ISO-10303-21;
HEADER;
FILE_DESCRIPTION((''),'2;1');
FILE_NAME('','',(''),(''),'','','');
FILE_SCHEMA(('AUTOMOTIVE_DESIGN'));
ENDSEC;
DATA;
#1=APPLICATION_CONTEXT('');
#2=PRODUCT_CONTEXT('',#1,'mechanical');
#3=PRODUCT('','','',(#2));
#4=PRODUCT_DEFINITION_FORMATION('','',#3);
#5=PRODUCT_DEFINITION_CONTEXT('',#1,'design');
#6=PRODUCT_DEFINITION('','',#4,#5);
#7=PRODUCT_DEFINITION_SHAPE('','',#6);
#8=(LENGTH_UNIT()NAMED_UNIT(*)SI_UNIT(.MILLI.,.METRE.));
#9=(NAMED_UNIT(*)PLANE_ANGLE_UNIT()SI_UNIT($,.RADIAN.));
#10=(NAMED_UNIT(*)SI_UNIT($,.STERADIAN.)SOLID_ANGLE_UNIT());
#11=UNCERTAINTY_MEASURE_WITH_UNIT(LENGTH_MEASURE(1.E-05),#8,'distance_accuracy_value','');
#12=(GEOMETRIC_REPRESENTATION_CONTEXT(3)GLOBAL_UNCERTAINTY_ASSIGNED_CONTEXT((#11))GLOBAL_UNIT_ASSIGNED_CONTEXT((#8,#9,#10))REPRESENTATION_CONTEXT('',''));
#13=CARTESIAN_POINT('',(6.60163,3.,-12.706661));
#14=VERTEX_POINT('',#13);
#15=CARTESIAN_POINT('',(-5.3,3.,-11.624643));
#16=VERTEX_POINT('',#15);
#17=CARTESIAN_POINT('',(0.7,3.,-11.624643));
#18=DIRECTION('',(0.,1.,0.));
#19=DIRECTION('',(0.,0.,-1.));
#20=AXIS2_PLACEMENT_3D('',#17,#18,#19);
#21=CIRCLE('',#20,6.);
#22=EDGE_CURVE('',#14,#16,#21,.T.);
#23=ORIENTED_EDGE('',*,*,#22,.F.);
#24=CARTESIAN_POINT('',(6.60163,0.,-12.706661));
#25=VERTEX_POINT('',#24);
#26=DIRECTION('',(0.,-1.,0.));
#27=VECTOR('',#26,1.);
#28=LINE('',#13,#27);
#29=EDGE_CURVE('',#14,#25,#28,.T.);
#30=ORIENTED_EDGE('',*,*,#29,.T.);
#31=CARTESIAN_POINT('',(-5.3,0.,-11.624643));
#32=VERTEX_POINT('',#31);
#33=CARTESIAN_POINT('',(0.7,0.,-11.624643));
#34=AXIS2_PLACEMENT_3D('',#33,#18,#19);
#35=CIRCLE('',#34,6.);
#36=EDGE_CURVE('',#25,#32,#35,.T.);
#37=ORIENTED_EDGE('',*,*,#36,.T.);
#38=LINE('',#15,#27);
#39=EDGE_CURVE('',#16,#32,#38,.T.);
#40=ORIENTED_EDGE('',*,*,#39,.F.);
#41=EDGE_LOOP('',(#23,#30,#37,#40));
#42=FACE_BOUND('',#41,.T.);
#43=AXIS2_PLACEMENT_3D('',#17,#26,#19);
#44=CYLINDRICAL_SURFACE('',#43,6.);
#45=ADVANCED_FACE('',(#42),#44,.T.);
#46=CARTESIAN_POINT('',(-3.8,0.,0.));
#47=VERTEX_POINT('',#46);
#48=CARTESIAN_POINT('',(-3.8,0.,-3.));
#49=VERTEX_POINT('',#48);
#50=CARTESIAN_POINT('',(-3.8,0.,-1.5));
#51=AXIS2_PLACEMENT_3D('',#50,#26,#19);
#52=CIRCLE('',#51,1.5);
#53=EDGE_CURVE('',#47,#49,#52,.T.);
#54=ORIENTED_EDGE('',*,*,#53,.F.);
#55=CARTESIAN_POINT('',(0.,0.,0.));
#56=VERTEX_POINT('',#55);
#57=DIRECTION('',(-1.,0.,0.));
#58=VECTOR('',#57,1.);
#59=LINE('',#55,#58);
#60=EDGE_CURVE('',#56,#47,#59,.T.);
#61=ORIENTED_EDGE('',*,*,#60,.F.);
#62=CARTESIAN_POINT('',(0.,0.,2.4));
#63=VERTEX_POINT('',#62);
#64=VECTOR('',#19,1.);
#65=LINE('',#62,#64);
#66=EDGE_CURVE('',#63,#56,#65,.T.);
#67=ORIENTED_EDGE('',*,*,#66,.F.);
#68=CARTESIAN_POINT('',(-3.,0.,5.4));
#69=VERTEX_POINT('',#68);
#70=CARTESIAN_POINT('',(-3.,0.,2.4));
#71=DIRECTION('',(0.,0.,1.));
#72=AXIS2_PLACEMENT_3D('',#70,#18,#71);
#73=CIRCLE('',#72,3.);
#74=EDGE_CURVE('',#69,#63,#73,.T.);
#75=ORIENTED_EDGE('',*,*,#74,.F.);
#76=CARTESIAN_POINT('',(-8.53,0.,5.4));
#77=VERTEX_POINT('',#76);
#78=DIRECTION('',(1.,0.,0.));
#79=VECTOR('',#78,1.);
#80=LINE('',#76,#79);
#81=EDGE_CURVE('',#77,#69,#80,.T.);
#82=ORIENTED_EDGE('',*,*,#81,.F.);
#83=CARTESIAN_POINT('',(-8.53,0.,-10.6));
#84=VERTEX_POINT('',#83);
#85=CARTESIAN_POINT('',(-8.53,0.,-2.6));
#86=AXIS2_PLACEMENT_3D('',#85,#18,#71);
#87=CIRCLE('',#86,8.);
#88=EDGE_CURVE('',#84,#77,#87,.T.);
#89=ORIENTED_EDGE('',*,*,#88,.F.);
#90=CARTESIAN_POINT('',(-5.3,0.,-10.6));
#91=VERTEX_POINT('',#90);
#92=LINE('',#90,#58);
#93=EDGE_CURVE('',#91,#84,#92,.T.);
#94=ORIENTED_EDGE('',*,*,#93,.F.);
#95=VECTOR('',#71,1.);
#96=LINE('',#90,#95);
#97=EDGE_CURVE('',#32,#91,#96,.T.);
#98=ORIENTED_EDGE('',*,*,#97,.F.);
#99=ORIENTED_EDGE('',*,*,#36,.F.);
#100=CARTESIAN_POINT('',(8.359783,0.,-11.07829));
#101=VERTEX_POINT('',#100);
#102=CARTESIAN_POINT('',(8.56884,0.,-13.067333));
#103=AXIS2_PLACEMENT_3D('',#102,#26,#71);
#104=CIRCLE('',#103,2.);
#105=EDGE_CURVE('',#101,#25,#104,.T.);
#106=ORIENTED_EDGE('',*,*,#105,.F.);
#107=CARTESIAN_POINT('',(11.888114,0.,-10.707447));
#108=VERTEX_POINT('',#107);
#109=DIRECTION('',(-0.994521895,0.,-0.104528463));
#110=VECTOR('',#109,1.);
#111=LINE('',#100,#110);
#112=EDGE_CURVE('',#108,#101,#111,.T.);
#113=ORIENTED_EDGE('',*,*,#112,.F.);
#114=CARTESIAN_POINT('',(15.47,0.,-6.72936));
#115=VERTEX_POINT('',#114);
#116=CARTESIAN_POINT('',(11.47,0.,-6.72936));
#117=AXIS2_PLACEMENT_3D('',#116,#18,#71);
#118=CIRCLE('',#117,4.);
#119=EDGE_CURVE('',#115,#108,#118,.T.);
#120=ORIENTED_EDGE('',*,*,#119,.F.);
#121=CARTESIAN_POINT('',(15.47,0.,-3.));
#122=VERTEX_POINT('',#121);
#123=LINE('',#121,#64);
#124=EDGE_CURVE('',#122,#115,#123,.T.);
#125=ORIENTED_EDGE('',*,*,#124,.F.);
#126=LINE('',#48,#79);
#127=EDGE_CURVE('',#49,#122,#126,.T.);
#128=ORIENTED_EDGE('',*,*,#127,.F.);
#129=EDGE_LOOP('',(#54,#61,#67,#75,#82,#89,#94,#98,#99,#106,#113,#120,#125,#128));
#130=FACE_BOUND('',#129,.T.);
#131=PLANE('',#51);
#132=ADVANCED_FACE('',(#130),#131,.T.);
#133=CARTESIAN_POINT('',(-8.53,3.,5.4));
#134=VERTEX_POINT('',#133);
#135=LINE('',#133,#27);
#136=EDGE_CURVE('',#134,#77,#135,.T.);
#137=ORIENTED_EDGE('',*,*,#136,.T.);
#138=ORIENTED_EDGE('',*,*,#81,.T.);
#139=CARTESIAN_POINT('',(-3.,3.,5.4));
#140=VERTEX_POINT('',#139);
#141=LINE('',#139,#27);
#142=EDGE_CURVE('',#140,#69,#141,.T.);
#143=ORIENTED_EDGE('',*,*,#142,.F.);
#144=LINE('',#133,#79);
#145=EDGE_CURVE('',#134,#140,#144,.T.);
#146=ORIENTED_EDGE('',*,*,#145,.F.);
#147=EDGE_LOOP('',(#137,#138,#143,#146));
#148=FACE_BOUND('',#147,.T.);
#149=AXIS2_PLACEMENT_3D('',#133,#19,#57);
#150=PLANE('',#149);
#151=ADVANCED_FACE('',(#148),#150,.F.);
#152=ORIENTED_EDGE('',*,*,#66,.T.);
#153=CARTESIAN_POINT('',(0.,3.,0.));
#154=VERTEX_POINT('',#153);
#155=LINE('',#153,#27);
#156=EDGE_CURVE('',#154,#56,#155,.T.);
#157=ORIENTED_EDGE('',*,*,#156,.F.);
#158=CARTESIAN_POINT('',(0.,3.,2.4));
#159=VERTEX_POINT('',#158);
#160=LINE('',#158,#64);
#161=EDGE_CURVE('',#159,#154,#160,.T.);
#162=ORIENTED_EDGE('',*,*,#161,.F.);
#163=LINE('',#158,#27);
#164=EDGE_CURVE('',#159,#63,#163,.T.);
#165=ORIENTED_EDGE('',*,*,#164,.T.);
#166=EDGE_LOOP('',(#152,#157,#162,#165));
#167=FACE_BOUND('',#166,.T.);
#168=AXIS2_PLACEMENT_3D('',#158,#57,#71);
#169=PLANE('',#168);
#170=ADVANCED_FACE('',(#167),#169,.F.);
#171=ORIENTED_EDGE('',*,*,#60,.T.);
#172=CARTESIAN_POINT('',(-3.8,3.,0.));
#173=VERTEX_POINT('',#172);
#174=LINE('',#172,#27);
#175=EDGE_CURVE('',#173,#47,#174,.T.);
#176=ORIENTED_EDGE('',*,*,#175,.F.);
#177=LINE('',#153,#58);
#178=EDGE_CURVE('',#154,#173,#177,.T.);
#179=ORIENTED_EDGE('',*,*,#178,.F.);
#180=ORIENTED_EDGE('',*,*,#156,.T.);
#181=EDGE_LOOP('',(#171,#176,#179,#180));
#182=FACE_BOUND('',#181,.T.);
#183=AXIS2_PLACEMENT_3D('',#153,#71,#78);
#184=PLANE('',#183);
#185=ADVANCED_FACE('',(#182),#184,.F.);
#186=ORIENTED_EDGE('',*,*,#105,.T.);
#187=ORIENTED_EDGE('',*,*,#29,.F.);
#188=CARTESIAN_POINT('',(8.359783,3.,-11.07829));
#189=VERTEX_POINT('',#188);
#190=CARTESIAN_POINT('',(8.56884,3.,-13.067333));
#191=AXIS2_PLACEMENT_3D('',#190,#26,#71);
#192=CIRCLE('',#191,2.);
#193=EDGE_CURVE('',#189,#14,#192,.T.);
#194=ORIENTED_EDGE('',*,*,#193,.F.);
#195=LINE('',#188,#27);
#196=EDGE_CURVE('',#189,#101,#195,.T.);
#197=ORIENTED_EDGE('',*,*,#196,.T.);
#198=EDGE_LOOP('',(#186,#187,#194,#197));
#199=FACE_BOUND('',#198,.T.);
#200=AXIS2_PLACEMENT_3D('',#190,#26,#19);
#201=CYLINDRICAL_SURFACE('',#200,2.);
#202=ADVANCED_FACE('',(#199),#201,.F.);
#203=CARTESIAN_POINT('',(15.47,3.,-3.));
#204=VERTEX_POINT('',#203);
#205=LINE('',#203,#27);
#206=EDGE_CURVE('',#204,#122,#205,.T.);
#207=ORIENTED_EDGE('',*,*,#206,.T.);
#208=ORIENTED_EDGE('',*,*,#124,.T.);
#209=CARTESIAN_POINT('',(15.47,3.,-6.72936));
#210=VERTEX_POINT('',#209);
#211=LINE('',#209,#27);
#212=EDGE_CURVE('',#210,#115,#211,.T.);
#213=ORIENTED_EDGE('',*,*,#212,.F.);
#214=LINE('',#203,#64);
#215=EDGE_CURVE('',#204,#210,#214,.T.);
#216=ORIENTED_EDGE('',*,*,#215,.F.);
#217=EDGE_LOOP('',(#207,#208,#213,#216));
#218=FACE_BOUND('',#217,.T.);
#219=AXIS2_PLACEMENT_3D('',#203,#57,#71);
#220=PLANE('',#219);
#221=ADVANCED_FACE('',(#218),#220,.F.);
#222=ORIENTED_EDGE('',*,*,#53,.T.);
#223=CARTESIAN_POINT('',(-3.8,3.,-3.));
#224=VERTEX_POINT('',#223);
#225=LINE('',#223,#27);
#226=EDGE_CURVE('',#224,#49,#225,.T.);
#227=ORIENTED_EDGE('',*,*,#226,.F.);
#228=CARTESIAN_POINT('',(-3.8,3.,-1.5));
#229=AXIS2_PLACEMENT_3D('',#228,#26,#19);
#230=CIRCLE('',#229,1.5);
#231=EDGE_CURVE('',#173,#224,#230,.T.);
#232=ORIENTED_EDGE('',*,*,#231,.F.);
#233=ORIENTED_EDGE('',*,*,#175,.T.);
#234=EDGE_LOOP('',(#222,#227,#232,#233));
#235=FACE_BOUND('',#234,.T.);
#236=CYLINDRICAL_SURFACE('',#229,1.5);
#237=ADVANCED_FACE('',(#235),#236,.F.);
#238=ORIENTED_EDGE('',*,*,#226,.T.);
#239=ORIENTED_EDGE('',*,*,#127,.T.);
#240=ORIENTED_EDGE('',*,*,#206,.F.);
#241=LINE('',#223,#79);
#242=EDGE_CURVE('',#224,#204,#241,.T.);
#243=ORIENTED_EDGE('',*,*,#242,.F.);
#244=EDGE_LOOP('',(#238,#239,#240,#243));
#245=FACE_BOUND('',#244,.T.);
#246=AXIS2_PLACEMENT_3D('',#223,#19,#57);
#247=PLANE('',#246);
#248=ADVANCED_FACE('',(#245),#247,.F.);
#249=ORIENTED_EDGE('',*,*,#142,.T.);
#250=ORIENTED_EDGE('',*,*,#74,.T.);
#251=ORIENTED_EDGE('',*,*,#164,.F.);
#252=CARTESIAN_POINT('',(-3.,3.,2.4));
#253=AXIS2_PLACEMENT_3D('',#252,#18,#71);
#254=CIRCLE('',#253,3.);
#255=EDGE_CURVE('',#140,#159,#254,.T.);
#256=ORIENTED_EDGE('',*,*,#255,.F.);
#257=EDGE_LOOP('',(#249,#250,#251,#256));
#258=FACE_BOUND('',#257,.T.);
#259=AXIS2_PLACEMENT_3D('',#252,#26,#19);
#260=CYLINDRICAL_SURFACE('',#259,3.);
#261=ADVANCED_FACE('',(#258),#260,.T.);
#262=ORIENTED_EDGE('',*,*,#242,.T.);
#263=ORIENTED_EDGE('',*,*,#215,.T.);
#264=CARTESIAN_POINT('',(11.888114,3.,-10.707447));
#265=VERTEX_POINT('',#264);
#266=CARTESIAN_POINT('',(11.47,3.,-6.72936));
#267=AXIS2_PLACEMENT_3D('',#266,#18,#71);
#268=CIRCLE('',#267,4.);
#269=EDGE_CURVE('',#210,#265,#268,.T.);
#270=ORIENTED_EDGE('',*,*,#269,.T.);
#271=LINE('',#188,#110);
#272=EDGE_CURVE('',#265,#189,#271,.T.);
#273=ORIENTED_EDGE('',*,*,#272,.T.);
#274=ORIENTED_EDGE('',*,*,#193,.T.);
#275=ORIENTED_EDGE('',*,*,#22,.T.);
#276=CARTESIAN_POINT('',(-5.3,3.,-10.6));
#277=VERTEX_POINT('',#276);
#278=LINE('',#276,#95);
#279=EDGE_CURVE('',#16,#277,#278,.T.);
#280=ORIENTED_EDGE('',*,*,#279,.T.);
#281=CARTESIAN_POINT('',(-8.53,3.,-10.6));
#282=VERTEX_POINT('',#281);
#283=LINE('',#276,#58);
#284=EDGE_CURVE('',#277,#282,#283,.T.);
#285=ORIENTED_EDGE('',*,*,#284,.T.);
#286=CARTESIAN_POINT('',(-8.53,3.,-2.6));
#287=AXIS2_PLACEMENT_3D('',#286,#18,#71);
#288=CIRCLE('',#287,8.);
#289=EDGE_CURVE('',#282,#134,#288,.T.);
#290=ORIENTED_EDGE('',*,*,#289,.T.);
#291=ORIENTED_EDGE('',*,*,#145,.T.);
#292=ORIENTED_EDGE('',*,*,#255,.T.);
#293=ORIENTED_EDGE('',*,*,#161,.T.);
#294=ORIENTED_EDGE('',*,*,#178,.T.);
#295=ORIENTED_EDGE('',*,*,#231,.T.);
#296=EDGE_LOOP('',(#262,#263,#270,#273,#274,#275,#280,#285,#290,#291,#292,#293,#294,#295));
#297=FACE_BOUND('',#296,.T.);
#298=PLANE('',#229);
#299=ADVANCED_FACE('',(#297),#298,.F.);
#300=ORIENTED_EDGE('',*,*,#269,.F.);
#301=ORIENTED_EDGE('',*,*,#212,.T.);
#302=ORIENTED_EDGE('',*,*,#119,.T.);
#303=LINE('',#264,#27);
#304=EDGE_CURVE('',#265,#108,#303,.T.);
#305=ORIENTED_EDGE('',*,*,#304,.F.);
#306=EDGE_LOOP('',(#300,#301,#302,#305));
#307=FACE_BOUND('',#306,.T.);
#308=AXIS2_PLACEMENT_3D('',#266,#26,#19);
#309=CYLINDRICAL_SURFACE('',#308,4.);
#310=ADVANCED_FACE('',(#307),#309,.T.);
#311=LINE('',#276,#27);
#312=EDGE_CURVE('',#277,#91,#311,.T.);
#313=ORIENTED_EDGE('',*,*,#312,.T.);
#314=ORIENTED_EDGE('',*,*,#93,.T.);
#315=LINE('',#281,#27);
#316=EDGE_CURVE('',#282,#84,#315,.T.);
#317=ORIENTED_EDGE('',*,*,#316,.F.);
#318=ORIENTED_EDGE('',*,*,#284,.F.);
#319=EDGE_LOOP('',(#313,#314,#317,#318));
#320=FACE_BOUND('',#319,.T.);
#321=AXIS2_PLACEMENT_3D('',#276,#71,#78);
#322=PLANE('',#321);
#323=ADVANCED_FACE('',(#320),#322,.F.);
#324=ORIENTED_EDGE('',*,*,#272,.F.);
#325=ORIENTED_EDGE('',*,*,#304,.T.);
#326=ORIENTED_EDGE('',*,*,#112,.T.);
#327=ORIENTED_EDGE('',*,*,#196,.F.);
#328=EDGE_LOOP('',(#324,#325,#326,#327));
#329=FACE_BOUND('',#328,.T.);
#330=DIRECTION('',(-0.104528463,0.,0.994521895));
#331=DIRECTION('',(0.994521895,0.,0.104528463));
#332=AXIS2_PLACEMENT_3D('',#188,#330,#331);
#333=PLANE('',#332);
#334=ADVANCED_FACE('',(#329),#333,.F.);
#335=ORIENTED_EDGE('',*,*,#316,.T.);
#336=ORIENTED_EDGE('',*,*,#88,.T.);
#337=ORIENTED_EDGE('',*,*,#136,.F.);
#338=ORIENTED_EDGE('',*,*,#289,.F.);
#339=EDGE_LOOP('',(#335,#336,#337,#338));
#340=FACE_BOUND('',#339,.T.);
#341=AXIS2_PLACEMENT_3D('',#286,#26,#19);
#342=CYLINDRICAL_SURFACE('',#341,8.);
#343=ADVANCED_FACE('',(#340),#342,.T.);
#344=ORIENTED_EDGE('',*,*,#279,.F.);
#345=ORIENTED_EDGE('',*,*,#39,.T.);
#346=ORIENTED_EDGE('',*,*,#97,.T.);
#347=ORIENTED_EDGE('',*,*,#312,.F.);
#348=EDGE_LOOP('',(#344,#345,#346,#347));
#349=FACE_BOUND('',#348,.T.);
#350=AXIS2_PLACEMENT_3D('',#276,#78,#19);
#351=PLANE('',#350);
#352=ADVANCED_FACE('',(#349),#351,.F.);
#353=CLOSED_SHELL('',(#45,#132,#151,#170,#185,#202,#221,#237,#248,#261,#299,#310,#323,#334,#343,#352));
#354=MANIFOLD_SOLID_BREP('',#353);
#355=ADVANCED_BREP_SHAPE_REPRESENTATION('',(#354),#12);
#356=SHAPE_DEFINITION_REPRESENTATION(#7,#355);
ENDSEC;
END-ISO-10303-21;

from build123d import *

# Parameters (mm, degrees)
BOSS_EXTRUDE2_DEPTH = 3


with BuildPart() as part:
    # Sketch1 → Boss-Extrude2 (new body)
    with BuildSketch(Plane(origin=(0, 0, 0), x_dir=(1, 0, 0), z_dir=(0, 1, 0))):
        with BuildLine():
            Line((0, 0), (-3.8, 0))
            ThreePointArc((-3.8, 0), (-5.3, 1.5), (-3.8, 3))
            Line((-3.8, 3), (15.47, 3))
            Line((15.47, 3), (15.47, 6.729359541))
            ThreePointArc((15.47, 6.729359541), (14.442579302, 9.405881967), (11.888113853, 10.707447123))
            Line((11.888113853, 10.707447123), (8.35978318, 11.07828962))
            ThreePointArc((8.35978318, 11.07828962), (7.2098211, 11.6), (6.60163008, 12.70666083))
            ThreePointArc((6.60163008, 12.70666083), (0.156759943, 17.6), (-5.3, 11.624643087))
            Line((-5.3, 11.624643087), (-5.3, 10.6))
            Line((-5.3, 10.6), (-8.53, 10.6))
            ThreePointArc((-8.53, 10.6), (-16.53, 2.6), (-8.53, -5.4))
            Line((-8.53, -5.4), (-3, -5.4))
            ThreePointArc((-3, -5.4), (-0.878679656, -4.521320344), (0, -2.4))
            Line((0, -2.4), (0, 0))
        make_face()
    extrude(amount=BOSS_EXTRUDE2_DEPTH)


solid = part.part
